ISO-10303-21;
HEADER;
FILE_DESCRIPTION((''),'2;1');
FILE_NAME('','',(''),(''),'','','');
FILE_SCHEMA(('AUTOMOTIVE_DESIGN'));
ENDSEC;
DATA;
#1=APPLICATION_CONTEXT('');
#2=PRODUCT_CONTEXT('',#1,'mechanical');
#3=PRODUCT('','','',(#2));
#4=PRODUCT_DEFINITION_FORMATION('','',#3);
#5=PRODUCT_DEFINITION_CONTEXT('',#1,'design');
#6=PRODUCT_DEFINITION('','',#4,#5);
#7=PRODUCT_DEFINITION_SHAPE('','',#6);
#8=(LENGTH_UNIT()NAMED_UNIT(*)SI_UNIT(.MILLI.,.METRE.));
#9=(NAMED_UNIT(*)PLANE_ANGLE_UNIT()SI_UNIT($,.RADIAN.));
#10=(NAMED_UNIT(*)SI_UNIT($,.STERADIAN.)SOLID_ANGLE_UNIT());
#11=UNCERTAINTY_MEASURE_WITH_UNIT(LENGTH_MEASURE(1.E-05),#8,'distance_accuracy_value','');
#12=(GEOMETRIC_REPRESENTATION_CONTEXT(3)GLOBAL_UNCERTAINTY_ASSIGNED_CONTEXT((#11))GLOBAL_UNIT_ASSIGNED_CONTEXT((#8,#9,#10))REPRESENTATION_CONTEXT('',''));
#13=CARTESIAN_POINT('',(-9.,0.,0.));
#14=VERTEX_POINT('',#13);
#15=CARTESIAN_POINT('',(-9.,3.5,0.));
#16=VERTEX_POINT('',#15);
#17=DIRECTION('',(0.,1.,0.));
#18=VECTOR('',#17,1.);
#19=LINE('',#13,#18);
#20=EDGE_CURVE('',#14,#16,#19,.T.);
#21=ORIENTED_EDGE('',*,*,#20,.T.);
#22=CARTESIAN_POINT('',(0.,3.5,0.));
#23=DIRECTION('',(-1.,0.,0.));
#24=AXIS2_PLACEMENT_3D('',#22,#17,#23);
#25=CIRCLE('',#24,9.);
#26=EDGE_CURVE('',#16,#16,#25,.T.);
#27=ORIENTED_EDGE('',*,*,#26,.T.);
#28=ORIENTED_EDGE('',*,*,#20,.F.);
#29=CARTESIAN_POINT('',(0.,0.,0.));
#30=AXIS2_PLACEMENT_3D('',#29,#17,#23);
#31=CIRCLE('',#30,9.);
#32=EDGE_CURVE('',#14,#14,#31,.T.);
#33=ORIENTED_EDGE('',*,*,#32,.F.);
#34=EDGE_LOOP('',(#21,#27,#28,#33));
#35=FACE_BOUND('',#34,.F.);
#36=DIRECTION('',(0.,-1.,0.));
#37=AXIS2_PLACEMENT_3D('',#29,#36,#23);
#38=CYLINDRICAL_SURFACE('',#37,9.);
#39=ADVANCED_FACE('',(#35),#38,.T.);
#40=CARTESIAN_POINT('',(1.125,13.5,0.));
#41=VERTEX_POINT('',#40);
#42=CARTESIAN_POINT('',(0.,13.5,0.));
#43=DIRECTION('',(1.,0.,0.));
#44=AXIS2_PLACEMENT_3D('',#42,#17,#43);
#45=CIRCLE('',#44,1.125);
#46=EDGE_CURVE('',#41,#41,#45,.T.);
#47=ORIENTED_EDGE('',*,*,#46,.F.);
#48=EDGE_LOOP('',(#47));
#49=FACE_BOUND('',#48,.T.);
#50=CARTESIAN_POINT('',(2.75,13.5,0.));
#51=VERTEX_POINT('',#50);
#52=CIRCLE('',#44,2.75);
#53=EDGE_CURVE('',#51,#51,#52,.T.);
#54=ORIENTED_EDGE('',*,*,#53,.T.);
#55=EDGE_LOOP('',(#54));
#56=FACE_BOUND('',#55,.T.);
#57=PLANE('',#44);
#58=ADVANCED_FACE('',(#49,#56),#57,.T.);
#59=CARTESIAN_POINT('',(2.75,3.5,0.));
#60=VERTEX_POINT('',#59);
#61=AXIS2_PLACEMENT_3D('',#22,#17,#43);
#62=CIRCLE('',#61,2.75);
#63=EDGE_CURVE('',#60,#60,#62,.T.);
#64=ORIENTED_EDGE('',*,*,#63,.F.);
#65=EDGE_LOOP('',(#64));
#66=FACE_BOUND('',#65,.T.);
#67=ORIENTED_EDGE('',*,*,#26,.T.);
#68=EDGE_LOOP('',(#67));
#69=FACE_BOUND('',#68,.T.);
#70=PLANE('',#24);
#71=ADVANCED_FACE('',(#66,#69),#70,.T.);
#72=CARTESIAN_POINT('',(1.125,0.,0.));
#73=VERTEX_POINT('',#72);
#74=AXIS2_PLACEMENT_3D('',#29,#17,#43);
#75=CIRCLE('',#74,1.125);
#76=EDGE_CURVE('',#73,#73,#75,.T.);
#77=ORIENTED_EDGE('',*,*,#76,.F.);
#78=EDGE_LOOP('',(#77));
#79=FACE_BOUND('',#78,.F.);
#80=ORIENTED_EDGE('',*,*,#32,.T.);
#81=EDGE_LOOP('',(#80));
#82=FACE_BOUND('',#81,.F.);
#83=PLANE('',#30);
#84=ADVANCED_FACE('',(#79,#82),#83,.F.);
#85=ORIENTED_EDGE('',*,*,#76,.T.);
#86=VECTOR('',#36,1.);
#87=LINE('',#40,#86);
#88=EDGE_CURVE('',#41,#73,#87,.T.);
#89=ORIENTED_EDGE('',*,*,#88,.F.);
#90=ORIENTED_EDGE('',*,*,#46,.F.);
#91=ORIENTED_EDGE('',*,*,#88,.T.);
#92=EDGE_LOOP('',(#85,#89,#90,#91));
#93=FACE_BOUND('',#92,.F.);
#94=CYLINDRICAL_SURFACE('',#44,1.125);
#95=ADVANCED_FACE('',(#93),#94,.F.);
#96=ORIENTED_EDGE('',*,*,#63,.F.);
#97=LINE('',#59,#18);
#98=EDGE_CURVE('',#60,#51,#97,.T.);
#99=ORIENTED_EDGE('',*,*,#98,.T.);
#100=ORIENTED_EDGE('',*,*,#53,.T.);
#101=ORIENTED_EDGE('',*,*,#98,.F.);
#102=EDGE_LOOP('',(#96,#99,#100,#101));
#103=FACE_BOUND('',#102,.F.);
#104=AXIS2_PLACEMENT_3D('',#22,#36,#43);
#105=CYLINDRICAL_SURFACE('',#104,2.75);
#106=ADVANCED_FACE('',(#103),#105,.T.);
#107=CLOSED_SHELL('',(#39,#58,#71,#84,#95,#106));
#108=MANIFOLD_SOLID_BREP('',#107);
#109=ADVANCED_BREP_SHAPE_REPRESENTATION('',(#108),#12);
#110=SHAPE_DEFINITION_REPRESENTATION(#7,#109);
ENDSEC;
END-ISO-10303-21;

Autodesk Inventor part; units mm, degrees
ref_plane "YZ Plane" through (0, 0, 0) normal (1, 0, 0) x (0, 1, 0)
ref_plane "XZ Plane" through (0, 0, 0) normal (0, 1, 0) x (-1, 0, 0)
ref_plane "XY Plane" through (0, 0, 0) normal (0, 0, 1) x (1, 0, 0)
sketch "Sketch1" plane through (0, 0, 0) normal (0, 1, 0) x (-1, 0, 0)
  circle A0 centre (0, 0) radius 9
  dimension "d0" = 18
extrude "Extrusion1" add sketch "Sketch1" along normal blind 3.5
sketch "Sketch2" plane through (0, 3.5, 0) normal (0, 1, 0) x (1, 0, 0)
  circle A0 centre (0, 0) radius 2.75
  dimension "d3" = 5.5
extrude "Extrusion2" add sketch "Sketch2" along normal blind 10
sketch "Sketch3" plane through (0, 13.5, 0) normal (0, 1, 0) x (1, 0, 0)
  circle A0 centre (0, 0) radius 1.125
  dimension "d6" = 2.25
extrude "Extrusion3" cut sketch "Sketch3" against normal up to surface (13.5 mm away)
properties part number "Belt_Bearing_Holder"
